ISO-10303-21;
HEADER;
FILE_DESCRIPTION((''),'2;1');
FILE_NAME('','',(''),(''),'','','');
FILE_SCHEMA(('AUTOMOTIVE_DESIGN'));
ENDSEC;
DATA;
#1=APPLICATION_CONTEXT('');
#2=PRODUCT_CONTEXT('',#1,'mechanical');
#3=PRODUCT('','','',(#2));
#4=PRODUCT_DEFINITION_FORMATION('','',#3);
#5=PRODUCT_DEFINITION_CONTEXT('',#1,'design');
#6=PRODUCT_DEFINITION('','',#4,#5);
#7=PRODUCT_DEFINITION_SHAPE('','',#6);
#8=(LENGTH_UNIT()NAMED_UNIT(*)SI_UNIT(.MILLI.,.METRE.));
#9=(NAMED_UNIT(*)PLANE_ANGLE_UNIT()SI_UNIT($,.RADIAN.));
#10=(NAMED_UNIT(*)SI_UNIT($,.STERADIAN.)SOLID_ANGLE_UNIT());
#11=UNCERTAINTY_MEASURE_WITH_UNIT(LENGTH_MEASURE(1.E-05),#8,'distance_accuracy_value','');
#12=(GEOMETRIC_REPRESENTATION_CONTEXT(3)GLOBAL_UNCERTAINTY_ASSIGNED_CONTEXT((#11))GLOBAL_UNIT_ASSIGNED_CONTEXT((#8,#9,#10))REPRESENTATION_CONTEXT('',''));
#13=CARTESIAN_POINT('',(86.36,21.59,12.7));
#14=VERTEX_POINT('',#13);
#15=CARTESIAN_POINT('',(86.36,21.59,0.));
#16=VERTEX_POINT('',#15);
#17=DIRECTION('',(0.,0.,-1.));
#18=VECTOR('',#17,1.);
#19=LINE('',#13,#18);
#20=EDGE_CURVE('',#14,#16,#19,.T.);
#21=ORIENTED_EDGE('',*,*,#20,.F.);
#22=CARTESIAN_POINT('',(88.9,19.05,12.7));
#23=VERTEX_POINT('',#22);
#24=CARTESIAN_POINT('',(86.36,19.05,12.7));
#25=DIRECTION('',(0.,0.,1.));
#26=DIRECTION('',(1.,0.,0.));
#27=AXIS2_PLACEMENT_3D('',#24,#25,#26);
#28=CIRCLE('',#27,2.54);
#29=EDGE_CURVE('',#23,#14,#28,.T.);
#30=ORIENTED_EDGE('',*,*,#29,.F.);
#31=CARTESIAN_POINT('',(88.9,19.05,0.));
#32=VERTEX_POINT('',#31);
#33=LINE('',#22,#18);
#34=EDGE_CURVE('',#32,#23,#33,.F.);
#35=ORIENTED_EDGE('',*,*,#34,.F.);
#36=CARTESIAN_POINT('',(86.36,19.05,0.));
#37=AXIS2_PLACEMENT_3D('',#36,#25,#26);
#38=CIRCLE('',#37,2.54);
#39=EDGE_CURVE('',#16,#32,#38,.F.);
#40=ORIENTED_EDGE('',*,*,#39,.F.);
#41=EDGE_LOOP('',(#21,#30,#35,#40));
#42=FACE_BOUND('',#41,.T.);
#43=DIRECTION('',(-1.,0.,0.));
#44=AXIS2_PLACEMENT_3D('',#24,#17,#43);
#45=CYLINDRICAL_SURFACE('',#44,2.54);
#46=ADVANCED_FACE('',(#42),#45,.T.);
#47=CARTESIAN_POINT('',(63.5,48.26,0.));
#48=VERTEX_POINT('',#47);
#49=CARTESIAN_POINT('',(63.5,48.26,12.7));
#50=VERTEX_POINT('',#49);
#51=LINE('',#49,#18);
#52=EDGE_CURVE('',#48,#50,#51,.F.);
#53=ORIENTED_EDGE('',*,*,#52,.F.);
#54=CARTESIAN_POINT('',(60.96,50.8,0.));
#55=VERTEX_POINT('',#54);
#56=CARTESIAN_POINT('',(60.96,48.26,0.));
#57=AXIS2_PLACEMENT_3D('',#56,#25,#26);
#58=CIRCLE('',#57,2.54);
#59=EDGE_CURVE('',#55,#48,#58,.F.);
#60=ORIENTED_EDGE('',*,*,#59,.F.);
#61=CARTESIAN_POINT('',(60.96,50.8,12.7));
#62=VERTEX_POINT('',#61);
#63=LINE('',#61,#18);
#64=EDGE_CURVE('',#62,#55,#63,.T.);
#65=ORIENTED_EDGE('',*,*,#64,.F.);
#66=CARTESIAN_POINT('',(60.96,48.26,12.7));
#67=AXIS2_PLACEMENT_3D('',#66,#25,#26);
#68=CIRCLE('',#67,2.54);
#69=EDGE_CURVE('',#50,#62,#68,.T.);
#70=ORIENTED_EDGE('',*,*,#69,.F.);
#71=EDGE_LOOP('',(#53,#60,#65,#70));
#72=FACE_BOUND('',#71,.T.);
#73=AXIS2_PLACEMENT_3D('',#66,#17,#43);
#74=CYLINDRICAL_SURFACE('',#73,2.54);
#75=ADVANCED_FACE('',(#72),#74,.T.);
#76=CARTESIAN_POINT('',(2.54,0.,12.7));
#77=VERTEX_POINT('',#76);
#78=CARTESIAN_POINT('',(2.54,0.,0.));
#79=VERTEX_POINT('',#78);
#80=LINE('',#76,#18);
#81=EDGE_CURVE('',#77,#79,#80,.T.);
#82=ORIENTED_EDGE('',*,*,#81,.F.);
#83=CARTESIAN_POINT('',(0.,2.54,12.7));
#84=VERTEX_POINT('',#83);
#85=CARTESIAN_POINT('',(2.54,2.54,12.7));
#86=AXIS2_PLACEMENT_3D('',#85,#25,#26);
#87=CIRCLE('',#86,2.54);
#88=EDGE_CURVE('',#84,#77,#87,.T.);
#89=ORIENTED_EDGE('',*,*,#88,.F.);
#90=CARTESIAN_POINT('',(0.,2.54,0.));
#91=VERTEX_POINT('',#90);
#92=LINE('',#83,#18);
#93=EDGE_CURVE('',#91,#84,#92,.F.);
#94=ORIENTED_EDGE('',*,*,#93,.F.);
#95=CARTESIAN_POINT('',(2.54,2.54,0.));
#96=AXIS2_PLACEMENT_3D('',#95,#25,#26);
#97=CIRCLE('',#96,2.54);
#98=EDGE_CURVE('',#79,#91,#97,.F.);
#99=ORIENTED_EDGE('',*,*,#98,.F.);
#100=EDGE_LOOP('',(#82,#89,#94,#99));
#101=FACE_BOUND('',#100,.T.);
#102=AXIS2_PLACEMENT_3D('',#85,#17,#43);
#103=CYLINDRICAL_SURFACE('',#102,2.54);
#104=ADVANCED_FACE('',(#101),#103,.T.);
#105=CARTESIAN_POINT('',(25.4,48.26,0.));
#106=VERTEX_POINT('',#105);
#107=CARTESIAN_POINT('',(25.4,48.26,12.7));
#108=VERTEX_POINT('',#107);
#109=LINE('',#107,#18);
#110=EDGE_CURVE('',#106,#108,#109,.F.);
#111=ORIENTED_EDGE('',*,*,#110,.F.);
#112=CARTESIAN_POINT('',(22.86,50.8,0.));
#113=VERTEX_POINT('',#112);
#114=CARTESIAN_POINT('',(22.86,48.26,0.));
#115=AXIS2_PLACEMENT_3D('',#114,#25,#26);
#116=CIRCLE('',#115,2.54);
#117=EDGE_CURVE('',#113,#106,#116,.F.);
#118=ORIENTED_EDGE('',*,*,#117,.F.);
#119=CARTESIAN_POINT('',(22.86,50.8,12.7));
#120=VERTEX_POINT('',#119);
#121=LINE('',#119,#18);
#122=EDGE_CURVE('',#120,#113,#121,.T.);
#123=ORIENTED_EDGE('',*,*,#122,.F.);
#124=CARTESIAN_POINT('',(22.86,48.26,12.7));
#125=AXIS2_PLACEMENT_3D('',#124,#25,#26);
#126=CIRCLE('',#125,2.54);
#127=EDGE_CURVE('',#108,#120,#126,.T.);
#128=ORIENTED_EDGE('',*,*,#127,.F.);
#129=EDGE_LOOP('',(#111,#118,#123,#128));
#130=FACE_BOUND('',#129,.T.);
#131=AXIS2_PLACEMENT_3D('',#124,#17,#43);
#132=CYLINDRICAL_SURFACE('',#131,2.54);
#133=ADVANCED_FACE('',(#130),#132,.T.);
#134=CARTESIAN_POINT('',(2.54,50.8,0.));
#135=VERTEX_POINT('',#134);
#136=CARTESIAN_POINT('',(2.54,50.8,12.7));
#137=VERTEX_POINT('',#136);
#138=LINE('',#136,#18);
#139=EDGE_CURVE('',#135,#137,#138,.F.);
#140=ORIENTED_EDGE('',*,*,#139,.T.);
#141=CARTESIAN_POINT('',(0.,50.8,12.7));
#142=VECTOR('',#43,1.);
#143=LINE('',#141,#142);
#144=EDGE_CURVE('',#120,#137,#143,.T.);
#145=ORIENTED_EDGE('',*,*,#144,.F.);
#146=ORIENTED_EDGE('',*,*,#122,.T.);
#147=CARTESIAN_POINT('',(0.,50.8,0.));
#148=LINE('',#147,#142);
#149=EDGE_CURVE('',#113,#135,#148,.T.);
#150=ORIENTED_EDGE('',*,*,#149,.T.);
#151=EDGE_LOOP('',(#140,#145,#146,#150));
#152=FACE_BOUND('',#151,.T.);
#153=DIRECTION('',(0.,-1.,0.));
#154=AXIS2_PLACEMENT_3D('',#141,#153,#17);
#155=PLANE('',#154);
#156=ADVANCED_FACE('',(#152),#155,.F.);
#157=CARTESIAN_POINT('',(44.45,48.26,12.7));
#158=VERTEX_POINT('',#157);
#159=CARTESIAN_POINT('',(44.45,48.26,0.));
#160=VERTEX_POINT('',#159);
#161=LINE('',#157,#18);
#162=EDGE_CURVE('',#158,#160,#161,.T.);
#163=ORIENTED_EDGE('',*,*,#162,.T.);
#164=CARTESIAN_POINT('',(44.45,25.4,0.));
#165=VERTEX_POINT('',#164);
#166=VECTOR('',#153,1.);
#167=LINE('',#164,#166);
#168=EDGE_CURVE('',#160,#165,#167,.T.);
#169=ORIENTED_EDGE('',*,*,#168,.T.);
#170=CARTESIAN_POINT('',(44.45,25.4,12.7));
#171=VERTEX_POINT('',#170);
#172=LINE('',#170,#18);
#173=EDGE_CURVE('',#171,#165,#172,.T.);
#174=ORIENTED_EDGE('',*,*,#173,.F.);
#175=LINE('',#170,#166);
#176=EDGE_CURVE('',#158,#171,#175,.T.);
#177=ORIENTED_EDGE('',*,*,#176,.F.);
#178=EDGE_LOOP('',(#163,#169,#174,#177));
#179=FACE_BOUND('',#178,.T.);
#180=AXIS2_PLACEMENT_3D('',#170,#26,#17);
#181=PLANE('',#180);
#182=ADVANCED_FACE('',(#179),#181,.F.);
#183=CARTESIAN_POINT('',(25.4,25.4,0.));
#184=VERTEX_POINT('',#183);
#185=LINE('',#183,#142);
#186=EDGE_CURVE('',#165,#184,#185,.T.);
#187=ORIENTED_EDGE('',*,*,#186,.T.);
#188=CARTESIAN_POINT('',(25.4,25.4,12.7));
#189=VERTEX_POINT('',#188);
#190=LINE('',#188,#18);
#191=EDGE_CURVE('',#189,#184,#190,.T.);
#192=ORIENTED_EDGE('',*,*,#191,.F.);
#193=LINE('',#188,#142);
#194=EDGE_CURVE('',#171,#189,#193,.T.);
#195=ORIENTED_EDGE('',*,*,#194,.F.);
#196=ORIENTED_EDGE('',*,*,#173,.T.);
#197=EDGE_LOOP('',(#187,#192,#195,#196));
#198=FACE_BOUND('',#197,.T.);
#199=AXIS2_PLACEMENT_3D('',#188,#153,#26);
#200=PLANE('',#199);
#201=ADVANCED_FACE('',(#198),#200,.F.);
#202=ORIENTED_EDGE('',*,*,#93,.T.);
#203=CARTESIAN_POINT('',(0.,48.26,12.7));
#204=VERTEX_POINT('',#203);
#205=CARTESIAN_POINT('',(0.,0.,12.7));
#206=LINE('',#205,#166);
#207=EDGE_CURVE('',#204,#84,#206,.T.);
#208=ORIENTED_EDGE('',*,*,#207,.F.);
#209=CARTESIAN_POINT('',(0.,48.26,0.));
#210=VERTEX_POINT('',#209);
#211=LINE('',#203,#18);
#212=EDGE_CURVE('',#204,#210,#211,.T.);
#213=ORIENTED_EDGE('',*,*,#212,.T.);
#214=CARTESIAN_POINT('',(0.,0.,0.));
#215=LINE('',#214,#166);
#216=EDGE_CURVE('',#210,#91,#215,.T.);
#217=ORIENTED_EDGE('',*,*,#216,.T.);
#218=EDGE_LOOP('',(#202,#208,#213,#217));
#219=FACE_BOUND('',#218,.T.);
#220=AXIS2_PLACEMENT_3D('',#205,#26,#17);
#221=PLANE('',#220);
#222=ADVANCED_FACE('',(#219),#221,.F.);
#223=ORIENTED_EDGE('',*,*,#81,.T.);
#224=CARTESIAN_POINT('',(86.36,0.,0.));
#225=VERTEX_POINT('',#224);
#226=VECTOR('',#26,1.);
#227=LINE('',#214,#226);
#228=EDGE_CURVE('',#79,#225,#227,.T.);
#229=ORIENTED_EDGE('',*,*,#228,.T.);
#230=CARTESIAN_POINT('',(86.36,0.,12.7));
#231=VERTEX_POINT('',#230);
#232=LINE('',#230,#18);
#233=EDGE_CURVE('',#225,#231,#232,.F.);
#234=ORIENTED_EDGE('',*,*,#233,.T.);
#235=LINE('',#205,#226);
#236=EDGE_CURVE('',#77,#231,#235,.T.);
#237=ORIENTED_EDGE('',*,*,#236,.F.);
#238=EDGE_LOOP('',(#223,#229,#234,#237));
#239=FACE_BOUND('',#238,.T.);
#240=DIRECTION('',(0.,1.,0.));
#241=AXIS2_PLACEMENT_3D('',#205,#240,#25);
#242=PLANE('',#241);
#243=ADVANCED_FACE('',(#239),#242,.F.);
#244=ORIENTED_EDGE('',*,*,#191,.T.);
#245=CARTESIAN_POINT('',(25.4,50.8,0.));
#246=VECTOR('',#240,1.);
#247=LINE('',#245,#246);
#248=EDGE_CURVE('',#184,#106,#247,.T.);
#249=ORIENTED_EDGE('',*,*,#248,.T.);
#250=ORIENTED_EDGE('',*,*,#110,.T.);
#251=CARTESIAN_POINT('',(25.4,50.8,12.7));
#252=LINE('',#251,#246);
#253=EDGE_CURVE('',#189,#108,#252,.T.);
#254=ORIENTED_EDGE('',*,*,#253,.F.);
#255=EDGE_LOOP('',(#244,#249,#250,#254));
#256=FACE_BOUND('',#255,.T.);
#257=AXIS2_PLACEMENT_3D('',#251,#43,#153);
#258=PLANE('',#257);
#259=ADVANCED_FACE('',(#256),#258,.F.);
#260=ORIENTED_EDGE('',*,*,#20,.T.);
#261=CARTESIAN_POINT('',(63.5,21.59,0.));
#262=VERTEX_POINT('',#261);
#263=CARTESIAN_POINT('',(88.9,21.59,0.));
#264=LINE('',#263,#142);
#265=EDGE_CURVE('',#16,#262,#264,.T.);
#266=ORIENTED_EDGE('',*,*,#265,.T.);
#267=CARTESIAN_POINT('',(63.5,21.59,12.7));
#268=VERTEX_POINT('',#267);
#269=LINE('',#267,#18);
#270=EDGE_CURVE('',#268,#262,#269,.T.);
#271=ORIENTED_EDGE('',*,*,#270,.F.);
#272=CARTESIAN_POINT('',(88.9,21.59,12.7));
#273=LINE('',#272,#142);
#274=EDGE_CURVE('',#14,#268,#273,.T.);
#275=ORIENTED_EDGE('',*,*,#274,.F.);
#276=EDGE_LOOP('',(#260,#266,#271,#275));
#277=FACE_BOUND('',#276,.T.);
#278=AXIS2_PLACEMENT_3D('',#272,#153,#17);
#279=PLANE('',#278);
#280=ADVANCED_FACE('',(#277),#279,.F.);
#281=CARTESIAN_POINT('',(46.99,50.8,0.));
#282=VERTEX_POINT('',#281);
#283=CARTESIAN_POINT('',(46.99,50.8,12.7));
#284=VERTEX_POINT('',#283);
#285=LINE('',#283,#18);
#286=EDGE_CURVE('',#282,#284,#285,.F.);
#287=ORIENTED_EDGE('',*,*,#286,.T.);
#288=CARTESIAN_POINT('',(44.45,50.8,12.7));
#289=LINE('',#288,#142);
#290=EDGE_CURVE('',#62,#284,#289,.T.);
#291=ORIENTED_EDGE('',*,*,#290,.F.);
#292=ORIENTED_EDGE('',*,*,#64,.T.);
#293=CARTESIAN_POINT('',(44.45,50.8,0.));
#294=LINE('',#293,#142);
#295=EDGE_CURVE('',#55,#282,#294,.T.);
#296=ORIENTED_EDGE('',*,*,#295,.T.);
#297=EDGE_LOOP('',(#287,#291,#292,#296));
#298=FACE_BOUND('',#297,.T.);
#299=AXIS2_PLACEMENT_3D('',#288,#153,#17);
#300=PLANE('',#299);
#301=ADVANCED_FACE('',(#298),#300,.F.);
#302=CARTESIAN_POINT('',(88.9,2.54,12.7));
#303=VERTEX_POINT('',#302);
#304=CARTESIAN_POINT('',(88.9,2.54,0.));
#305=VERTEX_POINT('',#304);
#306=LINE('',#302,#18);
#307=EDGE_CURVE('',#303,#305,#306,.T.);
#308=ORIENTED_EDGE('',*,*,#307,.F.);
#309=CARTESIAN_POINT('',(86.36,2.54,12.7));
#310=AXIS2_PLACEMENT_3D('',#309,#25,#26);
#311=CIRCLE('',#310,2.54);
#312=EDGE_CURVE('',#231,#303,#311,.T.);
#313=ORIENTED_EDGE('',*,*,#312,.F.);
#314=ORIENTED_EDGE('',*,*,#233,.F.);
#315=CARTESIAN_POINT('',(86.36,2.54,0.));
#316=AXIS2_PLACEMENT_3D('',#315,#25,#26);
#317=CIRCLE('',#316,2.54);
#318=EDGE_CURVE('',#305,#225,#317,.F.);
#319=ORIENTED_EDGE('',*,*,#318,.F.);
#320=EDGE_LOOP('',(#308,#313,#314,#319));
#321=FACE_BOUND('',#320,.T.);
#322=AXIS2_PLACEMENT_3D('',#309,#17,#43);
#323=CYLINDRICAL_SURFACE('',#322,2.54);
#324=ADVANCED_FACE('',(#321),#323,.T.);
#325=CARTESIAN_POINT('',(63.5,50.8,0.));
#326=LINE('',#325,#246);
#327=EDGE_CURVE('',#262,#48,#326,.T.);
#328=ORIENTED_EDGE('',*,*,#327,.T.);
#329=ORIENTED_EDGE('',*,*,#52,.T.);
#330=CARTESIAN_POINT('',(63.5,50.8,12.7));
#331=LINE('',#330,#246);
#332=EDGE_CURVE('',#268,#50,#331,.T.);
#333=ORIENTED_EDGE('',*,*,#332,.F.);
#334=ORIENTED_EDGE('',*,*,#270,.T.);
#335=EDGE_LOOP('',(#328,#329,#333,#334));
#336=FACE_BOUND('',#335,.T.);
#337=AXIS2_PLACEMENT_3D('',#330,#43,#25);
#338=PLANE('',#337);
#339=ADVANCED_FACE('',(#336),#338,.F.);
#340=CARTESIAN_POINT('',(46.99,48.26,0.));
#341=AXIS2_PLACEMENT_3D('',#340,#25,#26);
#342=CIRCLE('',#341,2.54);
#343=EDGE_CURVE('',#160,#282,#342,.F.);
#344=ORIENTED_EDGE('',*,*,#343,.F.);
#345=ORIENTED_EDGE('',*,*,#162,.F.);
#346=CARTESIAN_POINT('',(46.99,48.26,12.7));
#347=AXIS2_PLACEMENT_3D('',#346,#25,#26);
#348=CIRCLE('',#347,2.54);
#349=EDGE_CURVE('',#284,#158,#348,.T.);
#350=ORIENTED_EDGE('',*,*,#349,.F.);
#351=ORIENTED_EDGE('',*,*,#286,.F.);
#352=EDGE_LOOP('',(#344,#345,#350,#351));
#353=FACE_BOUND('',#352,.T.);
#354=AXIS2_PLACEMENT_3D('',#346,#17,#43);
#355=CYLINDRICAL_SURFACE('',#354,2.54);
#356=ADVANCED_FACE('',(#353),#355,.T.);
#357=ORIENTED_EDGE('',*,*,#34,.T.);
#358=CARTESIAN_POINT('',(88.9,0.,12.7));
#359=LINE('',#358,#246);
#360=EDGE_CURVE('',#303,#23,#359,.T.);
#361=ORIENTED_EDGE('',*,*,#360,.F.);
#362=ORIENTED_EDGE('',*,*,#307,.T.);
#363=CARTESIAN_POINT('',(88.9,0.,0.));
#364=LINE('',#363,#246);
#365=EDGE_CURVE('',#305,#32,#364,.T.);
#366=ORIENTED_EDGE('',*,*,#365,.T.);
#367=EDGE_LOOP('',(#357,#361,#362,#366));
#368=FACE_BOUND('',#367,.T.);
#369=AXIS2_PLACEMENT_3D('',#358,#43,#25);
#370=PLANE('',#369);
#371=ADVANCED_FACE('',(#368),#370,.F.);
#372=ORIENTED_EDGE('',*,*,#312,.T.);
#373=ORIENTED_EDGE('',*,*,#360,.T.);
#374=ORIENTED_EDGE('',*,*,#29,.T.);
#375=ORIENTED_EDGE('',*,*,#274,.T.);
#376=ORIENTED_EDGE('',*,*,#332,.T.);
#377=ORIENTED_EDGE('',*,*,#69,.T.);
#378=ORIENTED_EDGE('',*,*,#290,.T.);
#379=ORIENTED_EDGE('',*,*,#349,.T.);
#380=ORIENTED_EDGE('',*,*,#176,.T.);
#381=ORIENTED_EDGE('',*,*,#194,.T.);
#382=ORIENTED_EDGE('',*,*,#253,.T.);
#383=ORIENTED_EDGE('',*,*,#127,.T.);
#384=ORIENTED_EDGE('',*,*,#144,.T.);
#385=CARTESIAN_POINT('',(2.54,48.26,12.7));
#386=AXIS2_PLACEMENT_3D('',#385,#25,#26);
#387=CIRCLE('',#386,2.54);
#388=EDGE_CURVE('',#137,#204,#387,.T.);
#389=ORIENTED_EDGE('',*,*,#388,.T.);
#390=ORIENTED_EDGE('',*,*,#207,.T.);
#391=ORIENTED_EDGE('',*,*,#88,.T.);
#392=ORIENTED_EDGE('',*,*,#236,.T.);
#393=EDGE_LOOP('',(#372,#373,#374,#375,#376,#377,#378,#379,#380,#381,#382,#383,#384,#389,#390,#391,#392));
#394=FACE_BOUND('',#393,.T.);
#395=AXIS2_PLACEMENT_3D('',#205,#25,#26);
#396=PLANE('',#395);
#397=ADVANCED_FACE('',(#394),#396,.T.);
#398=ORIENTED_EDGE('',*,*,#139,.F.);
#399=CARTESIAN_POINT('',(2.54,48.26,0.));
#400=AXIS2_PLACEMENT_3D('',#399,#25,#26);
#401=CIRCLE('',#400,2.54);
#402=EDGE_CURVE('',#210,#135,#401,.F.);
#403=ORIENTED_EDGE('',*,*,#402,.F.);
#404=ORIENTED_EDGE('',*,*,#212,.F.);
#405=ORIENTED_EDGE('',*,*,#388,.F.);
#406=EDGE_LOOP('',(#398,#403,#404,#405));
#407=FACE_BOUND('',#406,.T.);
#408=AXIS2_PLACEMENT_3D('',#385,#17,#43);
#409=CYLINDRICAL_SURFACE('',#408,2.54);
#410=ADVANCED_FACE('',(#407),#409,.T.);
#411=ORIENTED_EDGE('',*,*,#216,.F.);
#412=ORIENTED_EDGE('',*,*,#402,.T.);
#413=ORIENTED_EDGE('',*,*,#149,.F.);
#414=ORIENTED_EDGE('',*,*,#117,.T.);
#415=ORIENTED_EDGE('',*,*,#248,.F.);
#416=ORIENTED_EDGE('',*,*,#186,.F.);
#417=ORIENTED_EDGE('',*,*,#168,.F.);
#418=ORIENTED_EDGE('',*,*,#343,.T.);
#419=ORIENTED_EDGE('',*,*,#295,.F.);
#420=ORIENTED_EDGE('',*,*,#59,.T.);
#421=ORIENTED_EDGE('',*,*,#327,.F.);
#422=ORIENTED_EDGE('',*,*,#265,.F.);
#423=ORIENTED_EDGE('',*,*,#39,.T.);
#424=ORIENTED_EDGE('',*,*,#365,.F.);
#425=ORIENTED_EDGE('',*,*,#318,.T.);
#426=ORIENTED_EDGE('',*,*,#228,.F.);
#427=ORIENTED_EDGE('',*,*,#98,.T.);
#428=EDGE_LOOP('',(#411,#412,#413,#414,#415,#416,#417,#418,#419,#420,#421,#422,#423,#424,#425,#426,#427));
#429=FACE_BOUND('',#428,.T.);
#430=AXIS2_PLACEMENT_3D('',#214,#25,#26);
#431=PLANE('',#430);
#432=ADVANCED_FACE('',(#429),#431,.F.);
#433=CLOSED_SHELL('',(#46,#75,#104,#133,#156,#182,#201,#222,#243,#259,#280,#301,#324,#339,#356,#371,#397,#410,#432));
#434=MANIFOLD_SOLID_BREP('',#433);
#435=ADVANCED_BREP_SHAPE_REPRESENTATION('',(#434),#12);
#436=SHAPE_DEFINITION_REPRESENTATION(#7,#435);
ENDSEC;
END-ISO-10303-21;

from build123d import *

# Parameters (mm, degrees)
BOSS_EXTRUDE1_DEPTH = 12.7
FILLET1_R           = 2.54


with BuildPart() as part:
    # Sketch1 → Boss-Extrude1 (new body)
    with BuildSketch(Plane.XY):
        Polygon((0, 0), (0, 50.8), (25.4, 50.8), (25.4, 25.4), (44.45, 25.4), (44.45, 50.8), (63.5, 50.8), (63.5, 21.59), (88.9, 21.59), (88.9, 0), align=None)
    extrude(amount=BOSS_EXTRUDE1_DEPTH)

    # Fillet1
    fillet1_edges = [part.edges().sort_by_distance(p)[0] for p in [
        (0, 0, 6.35),
        (0, 50.8, 6.35),
        (25.4, 50.8, 6.35),
        (44.45, 50.8, 6.35),
        (63.5, 50.8, 6.35),
        (88.9, 21.59, 6.35),
        (88.9, 0, 6.35),
    ]]
    fillet(fillet1_edges, radius=FILLET1_R)


solid = part.part
